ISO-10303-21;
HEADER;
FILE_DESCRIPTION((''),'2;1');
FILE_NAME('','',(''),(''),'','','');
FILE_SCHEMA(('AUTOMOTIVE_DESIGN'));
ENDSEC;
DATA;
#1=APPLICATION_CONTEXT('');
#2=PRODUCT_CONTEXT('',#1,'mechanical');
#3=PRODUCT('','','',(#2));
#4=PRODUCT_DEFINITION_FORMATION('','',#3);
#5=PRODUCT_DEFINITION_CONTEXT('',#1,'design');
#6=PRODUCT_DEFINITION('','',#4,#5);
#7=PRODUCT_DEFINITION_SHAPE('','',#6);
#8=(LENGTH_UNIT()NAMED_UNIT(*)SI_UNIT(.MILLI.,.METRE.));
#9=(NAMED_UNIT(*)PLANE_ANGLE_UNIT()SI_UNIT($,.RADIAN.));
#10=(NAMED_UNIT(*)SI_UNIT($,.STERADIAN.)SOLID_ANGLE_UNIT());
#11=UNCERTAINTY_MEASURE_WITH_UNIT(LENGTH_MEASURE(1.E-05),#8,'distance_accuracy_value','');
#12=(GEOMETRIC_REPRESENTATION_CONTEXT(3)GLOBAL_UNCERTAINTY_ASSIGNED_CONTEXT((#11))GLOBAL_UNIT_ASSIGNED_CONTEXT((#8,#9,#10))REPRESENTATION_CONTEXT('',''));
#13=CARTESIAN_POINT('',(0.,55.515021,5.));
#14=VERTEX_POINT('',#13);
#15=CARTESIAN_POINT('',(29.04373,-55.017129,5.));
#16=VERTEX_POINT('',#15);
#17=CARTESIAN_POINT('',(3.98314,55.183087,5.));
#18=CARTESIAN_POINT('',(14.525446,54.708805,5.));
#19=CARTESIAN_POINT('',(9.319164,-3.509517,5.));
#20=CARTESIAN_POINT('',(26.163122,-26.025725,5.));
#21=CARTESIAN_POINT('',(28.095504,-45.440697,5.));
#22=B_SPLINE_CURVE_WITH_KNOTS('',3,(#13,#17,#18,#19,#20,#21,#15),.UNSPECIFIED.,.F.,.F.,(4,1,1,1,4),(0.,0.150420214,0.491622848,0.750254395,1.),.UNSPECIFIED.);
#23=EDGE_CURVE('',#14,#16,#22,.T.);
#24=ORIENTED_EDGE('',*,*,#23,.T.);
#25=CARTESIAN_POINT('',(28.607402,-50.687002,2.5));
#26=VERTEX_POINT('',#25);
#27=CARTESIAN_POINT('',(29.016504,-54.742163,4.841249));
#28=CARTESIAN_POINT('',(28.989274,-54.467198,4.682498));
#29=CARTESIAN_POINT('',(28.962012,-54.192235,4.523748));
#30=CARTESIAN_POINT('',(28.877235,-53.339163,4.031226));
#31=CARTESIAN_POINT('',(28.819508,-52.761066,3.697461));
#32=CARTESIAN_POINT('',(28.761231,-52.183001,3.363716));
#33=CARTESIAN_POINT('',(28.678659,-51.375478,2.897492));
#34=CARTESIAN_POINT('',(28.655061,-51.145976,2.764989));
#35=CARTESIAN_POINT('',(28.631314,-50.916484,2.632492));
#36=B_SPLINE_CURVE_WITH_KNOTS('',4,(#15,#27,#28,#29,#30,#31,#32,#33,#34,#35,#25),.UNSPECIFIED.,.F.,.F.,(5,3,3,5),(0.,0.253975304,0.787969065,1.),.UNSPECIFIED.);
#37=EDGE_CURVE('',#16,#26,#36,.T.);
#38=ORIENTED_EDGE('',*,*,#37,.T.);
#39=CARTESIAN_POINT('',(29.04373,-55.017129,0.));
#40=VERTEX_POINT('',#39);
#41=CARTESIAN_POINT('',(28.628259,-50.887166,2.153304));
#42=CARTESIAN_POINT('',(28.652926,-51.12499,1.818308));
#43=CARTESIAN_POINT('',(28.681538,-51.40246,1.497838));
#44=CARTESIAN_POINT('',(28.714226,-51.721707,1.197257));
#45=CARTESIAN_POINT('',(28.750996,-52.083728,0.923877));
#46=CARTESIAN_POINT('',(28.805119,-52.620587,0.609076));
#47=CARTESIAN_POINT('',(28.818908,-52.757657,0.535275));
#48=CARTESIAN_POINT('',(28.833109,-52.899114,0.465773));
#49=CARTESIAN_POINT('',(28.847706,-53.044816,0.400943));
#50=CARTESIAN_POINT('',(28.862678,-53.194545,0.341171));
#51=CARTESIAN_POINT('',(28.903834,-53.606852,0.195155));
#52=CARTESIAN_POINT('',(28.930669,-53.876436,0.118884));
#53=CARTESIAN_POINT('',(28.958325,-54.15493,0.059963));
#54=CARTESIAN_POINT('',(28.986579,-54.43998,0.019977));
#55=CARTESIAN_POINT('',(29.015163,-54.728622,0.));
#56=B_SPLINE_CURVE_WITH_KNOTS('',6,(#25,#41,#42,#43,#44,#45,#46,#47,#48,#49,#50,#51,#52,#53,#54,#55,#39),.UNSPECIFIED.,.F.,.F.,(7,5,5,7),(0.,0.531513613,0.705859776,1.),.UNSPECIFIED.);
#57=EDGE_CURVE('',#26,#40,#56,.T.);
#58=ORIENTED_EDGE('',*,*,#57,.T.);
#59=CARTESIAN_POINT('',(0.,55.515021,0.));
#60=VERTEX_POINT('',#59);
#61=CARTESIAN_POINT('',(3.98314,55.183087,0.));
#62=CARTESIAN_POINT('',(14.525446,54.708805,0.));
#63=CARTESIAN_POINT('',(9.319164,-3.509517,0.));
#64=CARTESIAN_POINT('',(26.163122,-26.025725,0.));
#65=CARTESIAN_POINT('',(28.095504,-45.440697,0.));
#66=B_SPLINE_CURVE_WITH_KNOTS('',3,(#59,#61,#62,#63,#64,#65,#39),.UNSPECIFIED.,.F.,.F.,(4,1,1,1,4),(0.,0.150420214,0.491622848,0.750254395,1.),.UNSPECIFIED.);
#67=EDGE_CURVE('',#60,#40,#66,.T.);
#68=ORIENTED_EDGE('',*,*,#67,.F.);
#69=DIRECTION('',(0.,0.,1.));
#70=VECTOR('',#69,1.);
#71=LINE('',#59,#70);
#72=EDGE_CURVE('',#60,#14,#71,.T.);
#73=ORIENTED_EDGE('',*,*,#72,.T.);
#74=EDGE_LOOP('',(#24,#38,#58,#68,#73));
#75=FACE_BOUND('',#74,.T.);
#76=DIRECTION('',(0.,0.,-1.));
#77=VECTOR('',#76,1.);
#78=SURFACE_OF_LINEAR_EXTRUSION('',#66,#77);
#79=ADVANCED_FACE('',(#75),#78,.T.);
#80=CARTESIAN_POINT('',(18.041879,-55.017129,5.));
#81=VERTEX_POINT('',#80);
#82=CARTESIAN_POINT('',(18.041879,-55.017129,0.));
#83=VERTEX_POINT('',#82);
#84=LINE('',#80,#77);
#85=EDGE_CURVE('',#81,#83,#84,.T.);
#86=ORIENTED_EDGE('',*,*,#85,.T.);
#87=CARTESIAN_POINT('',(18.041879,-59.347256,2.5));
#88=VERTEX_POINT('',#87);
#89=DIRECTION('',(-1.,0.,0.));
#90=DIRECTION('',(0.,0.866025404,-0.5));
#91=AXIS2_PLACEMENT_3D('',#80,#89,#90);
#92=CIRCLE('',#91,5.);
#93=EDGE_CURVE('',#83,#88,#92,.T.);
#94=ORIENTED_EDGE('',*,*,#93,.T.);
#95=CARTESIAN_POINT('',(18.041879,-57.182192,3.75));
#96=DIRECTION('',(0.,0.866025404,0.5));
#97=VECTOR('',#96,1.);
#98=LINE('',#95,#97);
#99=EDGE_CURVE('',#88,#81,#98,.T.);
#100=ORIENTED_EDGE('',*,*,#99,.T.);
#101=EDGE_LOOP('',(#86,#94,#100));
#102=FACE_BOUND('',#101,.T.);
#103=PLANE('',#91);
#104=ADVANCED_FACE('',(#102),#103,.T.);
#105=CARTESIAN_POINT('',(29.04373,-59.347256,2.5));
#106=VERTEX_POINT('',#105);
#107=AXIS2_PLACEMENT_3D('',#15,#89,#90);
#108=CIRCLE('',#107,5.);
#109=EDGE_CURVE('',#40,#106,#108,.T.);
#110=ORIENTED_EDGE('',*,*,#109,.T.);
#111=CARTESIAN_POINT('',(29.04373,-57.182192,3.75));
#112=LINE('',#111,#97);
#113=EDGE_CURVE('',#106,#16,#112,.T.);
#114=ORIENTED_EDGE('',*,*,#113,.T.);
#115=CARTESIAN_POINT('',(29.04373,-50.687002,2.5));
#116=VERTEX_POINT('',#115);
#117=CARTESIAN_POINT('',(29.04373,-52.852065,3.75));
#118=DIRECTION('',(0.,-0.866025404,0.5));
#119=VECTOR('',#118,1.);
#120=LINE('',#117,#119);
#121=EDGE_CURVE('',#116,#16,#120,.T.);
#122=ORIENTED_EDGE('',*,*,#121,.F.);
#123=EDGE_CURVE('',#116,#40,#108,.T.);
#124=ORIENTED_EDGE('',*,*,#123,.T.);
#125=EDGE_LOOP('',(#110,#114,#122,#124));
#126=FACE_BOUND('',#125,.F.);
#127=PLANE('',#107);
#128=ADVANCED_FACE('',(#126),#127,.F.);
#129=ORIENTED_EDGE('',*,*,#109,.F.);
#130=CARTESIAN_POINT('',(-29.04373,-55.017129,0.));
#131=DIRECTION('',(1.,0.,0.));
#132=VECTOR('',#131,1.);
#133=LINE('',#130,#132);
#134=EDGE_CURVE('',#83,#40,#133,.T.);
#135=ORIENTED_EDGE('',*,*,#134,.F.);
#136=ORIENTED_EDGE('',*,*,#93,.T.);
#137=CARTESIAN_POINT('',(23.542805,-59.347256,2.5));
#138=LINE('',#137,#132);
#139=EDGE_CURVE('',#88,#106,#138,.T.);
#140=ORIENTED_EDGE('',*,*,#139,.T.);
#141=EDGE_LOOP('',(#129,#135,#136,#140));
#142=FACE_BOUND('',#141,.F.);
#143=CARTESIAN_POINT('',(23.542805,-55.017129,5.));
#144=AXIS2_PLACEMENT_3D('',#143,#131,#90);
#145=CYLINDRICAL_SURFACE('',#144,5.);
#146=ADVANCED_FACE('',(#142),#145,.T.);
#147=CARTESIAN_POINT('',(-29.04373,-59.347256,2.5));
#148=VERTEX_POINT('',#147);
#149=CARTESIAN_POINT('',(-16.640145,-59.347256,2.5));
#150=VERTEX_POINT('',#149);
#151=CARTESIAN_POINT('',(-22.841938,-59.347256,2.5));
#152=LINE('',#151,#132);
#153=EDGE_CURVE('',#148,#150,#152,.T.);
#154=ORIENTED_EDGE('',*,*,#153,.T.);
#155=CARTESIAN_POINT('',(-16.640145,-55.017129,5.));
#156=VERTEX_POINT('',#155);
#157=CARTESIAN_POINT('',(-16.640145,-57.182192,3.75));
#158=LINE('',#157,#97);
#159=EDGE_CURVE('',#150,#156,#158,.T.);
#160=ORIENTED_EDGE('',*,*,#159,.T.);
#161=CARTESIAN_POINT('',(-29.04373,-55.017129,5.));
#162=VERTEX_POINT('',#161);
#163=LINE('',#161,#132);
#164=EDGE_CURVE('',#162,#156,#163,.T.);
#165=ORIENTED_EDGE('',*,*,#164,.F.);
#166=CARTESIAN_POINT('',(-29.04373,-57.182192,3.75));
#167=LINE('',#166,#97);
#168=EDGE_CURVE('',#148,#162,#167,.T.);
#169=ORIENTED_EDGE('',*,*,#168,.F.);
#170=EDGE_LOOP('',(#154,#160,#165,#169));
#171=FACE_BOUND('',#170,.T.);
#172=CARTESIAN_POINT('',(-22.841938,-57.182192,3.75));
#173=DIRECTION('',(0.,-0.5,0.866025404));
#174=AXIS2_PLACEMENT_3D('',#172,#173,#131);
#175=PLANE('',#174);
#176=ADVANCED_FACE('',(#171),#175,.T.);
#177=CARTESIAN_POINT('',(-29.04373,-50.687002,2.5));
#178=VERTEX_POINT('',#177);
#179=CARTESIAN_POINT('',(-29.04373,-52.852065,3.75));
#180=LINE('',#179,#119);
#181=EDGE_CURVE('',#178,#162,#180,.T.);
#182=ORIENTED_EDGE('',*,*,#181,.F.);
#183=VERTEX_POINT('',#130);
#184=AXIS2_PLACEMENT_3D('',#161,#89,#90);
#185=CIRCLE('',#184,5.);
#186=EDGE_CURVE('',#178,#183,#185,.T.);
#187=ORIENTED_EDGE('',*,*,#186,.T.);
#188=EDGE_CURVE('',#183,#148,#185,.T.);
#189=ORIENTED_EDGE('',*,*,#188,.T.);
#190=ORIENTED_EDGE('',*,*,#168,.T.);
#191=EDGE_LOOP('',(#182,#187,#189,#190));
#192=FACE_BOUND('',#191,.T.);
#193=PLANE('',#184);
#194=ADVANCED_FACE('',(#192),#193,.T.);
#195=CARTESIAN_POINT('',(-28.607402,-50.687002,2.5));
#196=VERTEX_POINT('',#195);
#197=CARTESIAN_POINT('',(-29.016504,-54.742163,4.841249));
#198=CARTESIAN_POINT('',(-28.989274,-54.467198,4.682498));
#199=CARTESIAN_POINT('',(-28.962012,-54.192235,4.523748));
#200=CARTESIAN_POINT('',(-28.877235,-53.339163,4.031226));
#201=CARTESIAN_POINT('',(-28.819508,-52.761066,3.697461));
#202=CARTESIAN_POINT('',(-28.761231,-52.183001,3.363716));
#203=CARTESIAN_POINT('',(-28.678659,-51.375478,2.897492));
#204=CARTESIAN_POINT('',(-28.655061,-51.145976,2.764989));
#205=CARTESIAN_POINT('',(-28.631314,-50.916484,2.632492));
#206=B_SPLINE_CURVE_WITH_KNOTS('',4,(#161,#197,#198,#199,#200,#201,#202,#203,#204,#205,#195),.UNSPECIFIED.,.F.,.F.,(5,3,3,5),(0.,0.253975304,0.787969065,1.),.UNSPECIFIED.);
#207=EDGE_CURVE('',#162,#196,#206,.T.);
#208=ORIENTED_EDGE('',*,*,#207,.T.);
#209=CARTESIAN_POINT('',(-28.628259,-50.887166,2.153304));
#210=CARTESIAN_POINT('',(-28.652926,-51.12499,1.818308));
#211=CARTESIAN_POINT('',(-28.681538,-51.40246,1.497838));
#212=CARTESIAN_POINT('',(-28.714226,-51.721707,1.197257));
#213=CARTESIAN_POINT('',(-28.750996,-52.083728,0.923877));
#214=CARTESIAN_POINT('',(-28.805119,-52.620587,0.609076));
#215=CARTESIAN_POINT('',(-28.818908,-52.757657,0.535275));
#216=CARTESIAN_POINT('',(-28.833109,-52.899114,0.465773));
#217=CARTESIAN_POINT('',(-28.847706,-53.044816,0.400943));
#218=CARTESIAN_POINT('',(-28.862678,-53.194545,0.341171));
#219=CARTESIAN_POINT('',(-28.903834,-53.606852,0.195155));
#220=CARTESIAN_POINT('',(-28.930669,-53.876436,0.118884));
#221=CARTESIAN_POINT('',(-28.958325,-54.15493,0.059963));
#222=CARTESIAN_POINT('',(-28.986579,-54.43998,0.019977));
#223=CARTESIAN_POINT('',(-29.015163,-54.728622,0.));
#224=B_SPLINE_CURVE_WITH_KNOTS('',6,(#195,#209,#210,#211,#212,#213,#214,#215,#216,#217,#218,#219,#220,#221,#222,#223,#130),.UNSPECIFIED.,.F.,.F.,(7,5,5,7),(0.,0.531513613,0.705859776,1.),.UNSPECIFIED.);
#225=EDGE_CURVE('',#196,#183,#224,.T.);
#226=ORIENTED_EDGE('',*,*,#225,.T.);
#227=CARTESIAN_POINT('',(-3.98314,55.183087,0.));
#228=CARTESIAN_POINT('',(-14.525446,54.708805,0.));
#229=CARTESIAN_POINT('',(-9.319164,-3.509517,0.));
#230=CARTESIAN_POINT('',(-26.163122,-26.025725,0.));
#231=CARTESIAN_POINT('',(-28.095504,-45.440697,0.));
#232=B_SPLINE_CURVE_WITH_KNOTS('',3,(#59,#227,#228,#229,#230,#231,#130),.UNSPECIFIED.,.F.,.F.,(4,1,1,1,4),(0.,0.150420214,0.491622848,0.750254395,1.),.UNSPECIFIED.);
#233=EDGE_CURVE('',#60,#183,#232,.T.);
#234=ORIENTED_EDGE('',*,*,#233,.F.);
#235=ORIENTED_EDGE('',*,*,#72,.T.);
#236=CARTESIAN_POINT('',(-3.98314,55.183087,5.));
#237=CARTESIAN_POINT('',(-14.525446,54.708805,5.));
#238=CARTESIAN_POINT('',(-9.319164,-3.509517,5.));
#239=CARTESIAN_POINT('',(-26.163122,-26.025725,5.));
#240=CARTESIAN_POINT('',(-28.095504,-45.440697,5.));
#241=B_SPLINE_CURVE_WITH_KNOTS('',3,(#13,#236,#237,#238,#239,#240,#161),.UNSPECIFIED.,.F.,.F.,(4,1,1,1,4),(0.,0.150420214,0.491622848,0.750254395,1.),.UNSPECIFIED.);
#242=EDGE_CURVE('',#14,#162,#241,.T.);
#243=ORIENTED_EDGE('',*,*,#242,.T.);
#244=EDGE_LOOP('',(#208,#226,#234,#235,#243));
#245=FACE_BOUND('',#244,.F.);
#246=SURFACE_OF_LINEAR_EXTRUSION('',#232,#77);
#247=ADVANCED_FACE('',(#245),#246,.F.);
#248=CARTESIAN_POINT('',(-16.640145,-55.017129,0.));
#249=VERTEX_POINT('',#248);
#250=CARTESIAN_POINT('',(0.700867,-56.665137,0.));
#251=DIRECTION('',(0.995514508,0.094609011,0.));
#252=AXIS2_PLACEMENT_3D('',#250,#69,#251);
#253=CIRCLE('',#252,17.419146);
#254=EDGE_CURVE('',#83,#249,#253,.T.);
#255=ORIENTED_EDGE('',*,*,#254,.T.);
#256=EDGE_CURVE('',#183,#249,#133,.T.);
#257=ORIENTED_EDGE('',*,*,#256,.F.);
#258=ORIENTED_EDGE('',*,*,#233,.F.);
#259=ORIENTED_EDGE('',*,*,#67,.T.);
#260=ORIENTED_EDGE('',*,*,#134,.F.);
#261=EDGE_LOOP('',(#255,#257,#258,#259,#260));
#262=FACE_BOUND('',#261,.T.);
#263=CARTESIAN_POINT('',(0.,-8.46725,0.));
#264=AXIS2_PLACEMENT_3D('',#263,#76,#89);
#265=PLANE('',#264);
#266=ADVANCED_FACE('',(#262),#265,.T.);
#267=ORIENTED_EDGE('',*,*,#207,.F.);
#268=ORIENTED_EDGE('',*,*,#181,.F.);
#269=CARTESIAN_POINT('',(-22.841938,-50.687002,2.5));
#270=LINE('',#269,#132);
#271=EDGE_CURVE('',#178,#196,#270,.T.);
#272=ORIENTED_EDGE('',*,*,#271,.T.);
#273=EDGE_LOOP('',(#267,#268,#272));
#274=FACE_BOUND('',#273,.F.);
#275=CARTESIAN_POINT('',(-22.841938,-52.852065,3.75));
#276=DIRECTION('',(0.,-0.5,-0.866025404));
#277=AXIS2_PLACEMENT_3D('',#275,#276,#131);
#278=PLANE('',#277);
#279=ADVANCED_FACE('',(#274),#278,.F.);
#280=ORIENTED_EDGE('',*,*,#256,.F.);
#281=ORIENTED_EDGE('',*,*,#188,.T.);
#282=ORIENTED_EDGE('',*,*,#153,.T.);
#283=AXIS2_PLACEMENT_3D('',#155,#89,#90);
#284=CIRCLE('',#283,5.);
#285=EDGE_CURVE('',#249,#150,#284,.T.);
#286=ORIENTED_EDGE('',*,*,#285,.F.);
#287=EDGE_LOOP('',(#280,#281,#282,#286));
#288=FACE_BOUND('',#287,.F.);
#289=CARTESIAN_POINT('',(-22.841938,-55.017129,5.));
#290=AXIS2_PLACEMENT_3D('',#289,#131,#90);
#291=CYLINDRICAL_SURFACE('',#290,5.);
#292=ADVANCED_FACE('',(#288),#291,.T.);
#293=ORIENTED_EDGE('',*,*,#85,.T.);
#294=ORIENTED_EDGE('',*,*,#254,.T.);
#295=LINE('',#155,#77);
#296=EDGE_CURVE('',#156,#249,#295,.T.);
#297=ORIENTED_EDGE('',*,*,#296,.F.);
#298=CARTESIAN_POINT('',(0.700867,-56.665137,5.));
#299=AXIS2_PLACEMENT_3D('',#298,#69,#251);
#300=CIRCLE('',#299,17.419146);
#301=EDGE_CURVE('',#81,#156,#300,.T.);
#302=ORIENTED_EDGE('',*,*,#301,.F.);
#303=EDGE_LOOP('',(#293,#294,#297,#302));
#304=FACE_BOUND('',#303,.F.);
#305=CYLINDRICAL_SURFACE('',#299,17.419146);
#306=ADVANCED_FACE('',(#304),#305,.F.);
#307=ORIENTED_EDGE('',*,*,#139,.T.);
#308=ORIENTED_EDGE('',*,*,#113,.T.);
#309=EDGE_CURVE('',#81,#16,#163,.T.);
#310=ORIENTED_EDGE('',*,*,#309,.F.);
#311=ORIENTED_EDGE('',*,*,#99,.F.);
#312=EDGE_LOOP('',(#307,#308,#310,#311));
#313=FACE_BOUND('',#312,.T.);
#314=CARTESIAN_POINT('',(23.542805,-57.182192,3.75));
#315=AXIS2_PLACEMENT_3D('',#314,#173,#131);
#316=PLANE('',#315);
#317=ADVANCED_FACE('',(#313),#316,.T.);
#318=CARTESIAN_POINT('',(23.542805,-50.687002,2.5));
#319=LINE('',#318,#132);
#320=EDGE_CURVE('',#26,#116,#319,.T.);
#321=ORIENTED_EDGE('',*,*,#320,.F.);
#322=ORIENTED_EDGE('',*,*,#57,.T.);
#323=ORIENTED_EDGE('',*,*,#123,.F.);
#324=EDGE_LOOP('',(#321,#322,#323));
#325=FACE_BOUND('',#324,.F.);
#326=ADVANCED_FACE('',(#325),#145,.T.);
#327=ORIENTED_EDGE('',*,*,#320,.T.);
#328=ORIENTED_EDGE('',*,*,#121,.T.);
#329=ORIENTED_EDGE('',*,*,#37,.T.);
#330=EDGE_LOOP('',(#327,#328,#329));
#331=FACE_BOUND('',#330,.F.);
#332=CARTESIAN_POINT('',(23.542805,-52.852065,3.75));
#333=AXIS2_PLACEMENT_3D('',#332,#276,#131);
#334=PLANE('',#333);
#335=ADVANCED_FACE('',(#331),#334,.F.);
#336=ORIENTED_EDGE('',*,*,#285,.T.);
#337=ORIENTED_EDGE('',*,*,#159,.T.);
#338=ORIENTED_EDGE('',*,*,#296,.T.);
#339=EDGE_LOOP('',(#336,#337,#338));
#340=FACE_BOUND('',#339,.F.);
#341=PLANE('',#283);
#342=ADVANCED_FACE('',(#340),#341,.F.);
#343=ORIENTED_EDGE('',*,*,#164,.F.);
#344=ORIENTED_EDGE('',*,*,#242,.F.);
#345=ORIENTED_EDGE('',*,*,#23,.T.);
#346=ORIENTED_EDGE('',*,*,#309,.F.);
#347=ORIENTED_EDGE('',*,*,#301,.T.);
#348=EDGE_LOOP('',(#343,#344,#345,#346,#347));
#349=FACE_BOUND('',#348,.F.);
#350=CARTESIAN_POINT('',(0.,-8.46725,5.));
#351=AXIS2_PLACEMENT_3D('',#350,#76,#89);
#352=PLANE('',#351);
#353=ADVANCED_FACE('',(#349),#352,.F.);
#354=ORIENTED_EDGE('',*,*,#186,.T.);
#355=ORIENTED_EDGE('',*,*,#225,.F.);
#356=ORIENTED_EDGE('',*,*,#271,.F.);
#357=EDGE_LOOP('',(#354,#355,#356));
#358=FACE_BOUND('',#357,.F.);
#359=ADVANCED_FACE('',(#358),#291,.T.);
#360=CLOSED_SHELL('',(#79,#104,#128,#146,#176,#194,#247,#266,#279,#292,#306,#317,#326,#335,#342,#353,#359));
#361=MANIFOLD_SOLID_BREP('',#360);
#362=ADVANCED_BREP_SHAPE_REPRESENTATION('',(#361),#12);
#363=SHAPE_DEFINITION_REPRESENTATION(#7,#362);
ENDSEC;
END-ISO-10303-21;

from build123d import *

# Parameters (mm, degrees)
F1_DEPTH      = 5
F3_DEPTH      = 25
F3_FACE_W     = 12.4035850167
F3_FACE_H     = 5
F3_FACE_W_2   = 11.0018514097
F5_ANGLE_BACK = 60
F5_ANGLE      = 120


with BuildPart() as f1:
    # F0 (on Top) → F1 (new body)
    with BuildSketch(Plane.XY):
        with BuildLine():
            add(Edge.make_bspline(
                [(0, 55.5150210857), (3.9831399918, 55.1830865443), (14.5254457518, 54.7088049694), (9.3191643411, -3.5095165584), (26.1631216831, -26.0257248677), (28.0955035048, -45.4406970435), (29.0437303483, -55.0171285868)],
                knots=[0, 0, 0, 0, 0.1504202138, 0.4916228475, 0.7502543955, 1, 1, 1, 1], degree=3))
            add(Edge.make_bspline(
                [(0, 55.5150210857), (-3.9831399918, 55.1830865443), (-14.5254457518, 54.7088049694), (-9.3191643411, -3.5095165584), (-26.1631216831, -26.0257248677), (-28.0955035048, -45.4406970435), (-29.0437303483, -55.0171285868)],
                knots=[0, 0, 0, 0, 0.1504202138, 0.4916228475, 0.7502543955, 1, 1, 1, 1], degree=3))
            Line((-29.0437303483, -55.0171285868), (0, -55.0171285868))
            Line((0, -55.0171285868), (29.0437303483, -55.0171285868))
        make_face()
    extrude(amount=F1_DEPTH)

    # F2 (on face) → F3 (cut)
    with BuildSketch(Plane.XY.offset(5)):
        with BuildLine():
            Line((-16.6401453316, -55.0171285868), (18.0418789387, -55.0171285868))
            ThreePointArc((18.0418789387, -55.0171285868), (0.7008668035, -39.2459911372), (-16.6401453316, -55.0171285868))
        make_face()
    extrude(amount=-F3_DEPTH, mode=Mode.SUBTRACT)

    # F3_face (on face) → F5 (revolve)
    with BuildSketch(Plane(origin=(-22.84193784, -55.0171285868, 2.5), x_dir=(1, 0, 0), z_dir=(0, -1, 0)), mode=Mode.PRIVATE) as f5_sk:
        Rectangle(F3_FACE_W, F3_FACE_H)
        with Locations((46.3847424835, 0)):
            Rectangle(F3_FACE_W_2, F3_FACE_H)
    revolve(f5_sk.sketch.rotate(Axis((-22.84193784, -55.0171285868, 5), (-1, 0, 0)), -F5_ANGLE_BACK), axis=Axis((-22.84193784, -55.0171285868, 5), (-1, 0, 0)), revolution_arc=F5_ANGLE)


solid = f1.part
